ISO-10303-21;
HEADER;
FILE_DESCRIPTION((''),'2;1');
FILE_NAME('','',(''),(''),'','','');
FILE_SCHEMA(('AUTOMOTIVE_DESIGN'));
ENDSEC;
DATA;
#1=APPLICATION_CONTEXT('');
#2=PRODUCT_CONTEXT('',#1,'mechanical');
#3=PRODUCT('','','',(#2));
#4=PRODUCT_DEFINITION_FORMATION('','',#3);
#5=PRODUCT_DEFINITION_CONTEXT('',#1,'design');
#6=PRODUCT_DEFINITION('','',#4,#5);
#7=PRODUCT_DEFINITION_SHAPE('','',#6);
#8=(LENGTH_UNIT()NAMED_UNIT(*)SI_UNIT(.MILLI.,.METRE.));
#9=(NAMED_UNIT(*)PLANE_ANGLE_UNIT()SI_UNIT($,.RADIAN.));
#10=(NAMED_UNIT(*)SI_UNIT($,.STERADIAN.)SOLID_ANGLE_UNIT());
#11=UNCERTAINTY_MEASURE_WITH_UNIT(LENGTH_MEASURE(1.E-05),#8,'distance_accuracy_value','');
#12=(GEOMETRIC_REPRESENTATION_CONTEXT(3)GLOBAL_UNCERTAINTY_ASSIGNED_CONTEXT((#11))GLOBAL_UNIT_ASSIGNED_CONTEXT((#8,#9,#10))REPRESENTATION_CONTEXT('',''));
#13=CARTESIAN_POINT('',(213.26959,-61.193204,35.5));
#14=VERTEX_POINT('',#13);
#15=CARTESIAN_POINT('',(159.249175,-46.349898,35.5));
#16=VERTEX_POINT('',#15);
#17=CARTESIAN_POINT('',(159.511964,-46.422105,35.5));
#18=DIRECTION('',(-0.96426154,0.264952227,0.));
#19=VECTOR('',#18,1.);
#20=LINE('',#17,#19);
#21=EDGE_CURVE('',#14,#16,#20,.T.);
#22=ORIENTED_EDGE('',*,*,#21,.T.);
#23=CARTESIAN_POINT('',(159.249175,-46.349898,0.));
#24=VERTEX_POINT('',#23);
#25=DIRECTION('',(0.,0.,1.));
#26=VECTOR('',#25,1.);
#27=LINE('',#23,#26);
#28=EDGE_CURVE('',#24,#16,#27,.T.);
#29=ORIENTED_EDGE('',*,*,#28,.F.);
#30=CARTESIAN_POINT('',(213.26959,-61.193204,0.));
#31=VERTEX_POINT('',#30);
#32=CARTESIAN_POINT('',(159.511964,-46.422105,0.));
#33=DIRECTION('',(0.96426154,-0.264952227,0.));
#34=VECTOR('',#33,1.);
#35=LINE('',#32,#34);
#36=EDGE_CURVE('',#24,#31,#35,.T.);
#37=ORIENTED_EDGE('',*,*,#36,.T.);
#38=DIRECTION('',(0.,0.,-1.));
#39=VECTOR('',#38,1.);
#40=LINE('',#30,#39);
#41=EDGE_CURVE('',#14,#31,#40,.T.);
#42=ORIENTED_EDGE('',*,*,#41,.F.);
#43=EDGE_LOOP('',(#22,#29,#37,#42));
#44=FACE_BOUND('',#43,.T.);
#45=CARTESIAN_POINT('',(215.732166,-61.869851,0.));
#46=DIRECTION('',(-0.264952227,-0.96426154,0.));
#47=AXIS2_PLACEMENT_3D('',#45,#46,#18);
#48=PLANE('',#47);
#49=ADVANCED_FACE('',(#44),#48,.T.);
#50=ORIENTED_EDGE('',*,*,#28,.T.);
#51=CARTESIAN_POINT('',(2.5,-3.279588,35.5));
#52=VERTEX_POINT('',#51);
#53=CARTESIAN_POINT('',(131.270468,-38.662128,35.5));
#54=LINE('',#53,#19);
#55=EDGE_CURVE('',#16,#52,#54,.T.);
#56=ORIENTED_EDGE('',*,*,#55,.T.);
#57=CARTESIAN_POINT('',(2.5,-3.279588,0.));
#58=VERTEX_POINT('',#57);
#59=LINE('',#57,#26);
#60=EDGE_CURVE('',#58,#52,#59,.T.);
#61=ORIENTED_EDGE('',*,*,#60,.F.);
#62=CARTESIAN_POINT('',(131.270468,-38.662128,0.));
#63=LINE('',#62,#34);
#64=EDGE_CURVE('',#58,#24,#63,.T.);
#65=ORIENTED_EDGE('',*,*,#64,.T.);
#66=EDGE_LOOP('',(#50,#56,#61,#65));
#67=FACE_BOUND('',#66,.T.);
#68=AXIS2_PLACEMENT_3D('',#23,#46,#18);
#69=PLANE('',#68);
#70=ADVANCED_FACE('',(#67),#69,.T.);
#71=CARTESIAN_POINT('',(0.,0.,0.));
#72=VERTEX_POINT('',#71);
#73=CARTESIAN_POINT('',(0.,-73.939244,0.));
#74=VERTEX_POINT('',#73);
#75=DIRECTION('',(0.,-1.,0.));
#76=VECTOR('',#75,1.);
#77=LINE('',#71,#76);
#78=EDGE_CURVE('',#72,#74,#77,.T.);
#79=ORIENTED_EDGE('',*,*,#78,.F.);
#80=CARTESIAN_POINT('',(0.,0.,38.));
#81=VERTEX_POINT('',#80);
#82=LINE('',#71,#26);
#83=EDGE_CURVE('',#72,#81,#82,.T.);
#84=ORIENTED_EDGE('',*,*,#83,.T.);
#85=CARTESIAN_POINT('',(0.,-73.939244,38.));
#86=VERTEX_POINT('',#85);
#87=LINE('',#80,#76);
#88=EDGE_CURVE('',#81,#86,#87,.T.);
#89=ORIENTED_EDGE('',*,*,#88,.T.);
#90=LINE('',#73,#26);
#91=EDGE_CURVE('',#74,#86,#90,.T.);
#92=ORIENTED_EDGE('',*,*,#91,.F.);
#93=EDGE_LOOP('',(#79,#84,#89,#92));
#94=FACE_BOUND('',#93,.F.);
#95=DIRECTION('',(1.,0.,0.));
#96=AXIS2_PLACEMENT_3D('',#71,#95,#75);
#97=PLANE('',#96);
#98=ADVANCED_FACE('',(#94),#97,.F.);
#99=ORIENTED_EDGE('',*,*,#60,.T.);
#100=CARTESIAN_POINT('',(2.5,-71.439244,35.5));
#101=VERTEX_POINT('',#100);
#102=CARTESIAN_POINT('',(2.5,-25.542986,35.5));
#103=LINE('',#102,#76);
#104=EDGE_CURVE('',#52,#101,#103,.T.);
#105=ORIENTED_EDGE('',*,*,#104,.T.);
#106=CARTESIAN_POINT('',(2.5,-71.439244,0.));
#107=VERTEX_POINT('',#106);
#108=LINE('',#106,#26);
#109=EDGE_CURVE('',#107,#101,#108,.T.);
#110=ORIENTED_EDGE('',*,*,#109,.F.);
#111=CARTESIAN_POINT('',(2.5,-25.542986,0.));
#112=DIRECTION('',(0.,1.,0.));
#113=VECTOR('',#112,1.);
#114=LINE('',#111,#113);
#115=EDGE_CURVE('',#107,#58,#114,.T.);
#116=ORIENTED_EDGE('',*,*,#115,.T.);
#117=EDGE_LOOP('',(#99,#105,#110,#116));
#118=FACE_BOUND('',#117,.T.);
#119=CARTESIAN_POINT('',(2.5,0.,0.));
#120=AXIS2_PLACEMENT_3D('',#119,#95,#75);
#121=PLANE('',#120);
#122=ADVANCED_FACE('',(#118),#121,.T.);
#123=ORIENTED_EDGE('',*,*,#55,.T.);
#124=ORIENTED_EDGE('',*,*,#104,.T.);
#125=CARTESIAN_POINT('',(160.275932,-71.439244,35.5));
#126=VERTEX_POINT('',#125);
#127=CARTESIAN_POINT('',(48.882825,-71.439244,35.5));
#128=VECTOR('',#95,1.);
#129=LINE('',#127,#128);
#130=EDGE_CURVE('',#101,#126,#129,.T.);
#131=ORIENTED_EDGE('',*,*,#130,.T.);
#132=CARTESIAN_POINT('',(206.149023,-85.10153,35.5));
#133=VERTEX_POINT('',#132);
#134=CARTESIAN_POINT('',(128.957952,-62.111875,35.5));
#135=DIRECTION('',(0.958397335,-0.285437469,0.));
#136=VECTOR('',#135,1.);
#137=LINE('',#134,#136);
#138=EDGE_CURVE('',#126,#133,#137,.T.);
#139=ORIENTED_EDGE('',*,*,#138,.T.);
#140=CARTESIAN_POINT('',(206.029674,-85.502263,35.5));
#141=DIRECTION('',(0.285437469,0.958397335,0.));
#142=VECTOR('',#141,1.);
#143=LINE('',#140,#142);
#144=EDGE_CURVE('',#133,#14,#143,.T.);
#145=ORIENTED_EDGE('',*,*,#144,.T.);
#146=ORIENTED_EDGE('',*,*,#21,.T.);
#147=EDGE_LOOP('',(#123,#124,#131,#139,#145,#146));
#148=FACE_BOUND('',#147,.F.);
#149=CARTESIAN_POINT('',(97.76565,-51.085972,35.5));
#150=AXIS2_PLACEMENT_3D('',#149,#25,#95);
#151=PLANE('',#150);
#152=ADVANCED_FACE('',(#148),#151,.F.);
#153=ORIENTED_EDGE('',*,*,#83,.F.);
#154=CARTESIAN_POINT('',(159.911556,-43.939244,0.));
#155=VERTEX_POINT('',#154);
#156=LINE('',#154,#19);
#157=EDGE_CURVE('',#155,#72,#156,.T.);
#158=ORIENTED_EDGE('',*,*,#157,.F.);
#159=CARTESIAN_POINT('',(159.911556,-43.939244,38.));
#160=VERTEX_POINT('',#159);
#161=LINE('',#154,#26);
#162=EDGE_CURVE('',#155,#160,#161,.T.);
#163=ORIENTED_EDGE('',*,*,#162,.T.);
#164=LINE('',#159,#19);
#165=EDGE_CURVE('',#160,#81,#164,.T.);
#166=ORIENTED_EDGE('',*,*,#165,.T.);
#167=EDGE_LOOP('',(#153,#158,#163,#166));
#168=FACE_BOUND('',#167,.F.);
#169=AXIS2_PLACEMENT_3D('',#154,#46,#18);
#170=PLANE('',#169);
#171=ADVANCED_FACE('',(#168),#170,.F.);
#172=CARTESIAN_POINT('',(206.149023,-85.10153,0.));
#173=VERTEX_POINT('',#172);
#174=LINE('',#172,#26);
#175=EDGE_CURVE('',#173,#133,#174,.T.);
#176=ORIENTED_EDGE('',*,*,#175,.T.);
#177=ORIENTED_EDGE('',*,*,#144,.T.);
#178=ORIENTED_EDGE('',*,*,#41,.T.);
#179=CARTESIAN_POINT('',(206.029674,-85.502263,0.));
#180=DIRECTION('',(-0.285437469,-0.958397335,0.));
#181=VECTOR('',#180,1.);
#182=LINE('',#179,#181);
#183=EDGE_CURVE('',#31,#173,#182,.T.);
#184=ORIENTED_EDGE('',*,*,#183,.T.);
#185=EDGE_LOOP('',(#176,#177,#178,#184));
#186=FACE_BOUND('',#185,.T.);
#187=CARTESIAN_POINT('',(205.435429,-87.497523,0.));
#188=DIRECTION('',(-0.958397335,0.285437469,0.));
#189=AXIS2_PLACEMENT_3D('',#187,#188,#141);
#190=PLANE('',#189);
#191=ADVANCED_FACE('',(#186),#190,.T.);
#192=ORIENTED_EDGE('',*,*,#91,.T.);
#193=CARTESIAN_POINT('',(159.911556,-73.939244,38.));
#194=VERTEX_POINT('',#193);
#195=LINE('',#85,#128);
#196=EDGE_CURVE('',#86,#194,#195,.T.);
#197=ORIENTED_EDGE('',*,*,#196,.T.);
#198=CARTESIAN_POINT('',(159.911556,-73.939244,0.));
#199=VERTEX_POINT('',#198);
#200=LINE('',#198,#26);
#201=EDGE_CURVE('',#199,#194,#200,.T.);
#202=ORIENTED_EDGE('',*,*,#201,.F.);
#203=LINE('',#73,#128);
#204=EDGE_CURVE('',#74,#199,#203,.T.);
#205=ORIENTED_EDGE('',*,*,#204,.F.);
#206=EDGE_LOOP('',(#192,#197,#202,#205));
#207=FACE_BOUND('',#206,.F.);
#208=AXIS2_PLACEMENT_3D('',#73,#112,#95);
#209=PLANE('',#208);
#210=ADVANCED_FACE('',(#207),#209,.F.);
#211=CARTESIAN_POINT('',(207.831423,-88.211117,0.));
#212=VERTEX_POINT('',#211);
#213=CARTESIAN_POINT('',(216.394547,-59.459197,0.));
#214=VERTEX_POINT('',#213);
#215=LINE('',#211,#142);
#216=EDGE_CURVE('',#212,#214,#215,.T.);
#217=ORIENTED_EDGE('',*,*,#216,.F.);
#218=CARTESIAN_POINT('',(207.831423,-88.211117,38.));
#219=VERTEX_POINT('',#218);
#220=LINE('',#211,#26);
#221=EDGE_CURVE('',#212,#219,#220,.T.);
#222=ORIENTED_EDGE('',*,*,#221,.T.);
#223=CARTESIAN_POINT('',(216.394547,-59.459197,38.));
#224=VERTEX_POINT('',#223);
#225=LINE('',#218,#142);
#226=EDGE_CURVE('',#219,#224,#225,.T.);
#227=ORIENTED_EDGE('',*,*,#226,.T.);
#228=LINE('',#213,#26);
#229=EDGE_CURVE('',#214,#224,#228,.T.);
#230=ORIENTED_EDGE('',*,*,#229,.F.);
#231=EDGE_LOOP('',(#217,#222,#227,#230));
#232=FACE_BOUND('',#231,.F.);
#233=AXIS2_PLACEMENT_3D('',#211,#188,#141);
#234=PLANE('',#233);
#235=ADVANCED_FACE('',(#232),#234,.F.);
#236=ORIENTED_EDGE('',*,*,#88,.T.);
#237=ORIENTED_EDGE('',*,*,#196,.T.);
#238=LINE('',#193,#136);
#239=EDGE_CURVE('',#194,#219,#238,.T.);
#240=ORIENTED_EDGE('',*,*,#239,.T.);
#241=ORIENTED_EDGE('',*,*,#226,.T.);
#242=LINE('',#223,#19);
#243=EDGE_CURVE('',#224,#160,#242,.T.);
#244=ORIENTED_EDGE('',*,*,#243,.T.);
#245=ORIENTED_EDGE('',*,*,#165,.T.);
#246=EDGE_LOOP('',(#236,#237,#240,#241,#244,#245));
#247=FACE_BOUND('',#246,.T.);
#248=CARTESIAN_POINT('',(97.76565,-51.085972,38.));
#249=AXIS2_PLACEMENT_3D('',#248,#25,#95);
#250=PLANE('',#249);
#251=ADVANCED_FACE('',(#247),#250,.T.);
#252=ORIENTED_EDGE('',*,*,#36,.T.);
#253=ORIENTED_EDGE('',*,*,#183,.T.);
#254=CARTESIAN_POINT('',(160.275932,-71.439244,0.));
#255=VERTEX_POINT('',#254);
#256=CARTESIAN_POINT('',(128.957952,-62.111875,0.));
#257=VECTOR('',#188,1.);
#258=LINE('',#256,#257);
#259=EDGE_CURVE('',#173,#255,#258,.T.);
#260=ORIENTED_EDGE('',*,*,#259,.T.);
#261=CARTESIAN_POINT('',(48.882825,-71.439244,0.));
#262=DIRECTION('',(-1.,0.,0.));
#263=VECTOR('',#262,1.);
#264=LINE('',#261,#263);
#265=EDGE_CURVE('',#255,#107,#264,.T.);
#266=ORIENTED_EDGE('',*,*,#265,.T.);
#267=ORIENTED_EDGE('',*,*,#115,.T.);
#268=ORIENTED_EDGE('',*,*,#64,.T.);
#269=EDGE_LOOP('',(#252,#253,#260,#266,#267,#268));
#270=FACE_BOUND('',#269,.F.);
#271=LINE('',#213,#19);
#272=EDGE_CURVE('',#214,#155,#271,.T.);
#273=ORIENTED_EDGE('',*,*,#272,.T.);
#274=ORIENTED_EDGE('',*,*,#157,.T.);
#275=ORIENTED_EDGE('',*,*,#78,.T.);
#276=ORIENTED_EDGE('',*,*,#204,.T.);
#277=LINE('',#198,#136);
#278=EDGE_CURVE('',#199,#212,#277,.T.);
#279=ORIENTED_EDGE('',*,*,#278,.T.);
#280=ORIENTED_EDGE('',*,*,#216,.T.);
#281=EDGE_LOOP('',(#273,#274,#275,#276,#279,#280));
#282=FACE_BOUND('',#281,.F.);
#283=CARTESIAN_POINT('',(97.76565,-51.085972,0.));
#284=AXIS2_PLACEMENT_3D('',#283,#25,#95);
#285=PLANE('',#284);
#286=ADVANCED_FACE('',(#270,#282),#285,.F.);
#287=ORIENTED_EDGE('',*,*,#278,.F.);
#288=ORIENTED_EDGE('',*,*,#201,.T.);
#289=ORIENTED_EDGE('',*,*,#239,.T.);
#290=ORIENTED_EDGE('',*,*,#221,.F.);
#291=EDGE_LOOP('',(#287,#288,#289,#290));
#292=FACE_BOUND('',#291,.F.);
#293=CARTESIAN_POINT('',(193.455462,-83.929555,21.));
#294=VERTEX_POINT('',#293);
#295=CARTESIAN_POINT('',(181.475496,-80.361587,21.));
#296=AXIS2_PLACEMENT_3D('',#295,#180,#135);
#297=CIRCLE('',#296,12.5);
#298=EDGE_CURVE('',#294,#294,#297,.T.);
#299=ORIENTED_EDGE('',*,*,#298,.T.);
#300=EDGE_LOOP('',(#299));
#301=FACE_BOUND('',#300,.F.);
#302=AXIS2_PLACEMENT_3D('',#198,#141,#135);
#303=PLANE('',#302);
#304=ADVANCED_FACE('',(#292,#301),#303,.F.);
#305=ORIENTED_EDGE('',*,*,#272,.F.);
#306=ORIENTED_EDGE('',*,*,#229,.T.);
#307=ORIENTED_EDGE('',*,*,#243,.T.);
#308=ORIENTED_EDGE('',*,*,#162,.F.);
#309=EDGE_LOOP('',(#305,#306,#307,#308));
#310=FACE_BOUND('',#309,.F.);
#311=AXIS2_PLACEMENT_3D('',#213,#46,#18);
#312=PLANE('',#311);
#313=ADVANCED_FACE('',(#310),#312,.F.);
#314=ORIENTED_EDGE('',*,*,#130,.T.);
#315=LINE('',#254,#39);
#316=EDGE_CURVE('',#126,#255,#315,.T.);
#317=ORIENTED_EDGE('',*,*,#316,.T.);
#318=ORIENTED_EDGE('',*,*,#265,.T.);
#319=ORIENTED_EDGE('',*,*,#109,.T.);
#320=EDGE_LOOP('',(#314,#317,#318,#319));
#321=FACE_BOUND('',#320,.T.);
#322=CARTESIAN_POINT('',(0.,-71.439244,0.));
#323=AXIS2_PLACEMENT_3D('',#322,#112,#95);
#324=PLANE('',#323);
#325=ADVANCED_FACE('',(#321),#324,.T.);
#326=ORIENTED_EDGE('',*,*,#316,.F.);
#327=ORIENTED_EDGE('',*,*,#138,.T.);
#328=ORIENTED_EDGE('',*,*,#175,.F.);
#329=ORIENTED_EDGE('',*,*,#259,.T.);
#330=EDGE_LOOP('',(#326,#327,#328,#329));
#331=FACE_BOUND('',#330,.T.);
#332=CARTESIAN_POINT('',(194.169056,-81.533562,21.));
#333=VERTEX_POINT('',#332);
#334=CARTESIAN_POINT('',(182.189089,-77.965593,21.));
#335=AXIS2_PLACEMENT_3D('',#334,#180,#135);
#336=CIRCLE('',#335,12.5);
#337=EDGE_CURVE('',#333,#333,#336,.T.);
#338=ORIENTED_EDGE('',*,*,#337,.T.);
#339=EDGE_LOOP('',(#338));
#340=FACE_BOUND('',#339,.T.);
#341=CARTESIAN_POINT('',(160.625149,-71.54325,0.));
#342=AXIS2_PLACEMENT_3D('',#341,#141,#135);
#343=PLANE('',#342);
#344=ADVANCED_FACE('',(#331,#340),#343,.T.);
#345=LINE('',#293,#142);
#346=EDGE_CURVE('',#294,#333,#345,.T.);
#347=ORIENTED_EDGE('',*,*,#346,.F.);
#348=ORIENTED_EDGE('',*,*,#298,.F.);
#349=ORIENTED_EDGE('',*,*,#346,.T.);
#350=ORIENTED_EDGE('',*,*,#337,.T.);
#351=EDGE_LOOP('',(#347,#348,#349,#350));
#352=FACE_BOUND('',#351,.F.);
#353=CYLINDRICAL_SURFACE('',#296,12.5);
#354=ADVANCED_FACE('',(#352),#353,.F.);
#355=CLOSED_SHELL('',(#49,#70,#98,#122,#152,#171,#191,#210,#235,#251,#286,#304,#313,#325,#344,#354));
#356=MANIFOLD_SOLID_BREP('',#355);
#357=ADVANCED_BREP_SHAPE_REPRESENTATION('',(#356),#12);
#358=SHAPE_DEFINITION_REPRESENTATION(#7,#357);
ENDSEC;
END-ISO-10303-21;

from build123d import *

# Parameters (mm, degrees)
F1_DEPTH = 38
F2_T     = -2.5
F3_R     = 12.5
F4_DEPTH = 5


with BuildPart() as f1:
    # F0 (on Top) → F1 (new body)
    with BuildSketch(Plane.XY):
        Polygon((216.3945465859, -59.4591971258), (159.9115557721, -43.9392436979), (0, 0), (0, -73.9392436979), (159.9115557721, -73.9392436979), (207.8314225052, -88.2111171656), align=None)
    extrude(amount=F1_DEPTH)

    # F2
    f2_openings = [f1.faces().sort_by_distance(p)[0] for p in [
        (87.639416, -49.571978, 0),
    ]]
    offset(amount=F2_T, openings=f2_openings, kind=Kind.INTERSECTION)

    # F3 (on face) → F4 (cut)
    with BuildSketch(Plane(origin=(-7.1982832096, -24.1692706211, 0), x_dir=(0.9583973347, -0.2854374694, 0), z_dir=(-0.2854374694, -0.9583973347, 0))):
        with Locations((196.8638394408, 21)):
            Circle(F3_R)
    extrude(amount=-F4_DEPTH, mode=Mode.SUBTRACT)


solid = f1.part
